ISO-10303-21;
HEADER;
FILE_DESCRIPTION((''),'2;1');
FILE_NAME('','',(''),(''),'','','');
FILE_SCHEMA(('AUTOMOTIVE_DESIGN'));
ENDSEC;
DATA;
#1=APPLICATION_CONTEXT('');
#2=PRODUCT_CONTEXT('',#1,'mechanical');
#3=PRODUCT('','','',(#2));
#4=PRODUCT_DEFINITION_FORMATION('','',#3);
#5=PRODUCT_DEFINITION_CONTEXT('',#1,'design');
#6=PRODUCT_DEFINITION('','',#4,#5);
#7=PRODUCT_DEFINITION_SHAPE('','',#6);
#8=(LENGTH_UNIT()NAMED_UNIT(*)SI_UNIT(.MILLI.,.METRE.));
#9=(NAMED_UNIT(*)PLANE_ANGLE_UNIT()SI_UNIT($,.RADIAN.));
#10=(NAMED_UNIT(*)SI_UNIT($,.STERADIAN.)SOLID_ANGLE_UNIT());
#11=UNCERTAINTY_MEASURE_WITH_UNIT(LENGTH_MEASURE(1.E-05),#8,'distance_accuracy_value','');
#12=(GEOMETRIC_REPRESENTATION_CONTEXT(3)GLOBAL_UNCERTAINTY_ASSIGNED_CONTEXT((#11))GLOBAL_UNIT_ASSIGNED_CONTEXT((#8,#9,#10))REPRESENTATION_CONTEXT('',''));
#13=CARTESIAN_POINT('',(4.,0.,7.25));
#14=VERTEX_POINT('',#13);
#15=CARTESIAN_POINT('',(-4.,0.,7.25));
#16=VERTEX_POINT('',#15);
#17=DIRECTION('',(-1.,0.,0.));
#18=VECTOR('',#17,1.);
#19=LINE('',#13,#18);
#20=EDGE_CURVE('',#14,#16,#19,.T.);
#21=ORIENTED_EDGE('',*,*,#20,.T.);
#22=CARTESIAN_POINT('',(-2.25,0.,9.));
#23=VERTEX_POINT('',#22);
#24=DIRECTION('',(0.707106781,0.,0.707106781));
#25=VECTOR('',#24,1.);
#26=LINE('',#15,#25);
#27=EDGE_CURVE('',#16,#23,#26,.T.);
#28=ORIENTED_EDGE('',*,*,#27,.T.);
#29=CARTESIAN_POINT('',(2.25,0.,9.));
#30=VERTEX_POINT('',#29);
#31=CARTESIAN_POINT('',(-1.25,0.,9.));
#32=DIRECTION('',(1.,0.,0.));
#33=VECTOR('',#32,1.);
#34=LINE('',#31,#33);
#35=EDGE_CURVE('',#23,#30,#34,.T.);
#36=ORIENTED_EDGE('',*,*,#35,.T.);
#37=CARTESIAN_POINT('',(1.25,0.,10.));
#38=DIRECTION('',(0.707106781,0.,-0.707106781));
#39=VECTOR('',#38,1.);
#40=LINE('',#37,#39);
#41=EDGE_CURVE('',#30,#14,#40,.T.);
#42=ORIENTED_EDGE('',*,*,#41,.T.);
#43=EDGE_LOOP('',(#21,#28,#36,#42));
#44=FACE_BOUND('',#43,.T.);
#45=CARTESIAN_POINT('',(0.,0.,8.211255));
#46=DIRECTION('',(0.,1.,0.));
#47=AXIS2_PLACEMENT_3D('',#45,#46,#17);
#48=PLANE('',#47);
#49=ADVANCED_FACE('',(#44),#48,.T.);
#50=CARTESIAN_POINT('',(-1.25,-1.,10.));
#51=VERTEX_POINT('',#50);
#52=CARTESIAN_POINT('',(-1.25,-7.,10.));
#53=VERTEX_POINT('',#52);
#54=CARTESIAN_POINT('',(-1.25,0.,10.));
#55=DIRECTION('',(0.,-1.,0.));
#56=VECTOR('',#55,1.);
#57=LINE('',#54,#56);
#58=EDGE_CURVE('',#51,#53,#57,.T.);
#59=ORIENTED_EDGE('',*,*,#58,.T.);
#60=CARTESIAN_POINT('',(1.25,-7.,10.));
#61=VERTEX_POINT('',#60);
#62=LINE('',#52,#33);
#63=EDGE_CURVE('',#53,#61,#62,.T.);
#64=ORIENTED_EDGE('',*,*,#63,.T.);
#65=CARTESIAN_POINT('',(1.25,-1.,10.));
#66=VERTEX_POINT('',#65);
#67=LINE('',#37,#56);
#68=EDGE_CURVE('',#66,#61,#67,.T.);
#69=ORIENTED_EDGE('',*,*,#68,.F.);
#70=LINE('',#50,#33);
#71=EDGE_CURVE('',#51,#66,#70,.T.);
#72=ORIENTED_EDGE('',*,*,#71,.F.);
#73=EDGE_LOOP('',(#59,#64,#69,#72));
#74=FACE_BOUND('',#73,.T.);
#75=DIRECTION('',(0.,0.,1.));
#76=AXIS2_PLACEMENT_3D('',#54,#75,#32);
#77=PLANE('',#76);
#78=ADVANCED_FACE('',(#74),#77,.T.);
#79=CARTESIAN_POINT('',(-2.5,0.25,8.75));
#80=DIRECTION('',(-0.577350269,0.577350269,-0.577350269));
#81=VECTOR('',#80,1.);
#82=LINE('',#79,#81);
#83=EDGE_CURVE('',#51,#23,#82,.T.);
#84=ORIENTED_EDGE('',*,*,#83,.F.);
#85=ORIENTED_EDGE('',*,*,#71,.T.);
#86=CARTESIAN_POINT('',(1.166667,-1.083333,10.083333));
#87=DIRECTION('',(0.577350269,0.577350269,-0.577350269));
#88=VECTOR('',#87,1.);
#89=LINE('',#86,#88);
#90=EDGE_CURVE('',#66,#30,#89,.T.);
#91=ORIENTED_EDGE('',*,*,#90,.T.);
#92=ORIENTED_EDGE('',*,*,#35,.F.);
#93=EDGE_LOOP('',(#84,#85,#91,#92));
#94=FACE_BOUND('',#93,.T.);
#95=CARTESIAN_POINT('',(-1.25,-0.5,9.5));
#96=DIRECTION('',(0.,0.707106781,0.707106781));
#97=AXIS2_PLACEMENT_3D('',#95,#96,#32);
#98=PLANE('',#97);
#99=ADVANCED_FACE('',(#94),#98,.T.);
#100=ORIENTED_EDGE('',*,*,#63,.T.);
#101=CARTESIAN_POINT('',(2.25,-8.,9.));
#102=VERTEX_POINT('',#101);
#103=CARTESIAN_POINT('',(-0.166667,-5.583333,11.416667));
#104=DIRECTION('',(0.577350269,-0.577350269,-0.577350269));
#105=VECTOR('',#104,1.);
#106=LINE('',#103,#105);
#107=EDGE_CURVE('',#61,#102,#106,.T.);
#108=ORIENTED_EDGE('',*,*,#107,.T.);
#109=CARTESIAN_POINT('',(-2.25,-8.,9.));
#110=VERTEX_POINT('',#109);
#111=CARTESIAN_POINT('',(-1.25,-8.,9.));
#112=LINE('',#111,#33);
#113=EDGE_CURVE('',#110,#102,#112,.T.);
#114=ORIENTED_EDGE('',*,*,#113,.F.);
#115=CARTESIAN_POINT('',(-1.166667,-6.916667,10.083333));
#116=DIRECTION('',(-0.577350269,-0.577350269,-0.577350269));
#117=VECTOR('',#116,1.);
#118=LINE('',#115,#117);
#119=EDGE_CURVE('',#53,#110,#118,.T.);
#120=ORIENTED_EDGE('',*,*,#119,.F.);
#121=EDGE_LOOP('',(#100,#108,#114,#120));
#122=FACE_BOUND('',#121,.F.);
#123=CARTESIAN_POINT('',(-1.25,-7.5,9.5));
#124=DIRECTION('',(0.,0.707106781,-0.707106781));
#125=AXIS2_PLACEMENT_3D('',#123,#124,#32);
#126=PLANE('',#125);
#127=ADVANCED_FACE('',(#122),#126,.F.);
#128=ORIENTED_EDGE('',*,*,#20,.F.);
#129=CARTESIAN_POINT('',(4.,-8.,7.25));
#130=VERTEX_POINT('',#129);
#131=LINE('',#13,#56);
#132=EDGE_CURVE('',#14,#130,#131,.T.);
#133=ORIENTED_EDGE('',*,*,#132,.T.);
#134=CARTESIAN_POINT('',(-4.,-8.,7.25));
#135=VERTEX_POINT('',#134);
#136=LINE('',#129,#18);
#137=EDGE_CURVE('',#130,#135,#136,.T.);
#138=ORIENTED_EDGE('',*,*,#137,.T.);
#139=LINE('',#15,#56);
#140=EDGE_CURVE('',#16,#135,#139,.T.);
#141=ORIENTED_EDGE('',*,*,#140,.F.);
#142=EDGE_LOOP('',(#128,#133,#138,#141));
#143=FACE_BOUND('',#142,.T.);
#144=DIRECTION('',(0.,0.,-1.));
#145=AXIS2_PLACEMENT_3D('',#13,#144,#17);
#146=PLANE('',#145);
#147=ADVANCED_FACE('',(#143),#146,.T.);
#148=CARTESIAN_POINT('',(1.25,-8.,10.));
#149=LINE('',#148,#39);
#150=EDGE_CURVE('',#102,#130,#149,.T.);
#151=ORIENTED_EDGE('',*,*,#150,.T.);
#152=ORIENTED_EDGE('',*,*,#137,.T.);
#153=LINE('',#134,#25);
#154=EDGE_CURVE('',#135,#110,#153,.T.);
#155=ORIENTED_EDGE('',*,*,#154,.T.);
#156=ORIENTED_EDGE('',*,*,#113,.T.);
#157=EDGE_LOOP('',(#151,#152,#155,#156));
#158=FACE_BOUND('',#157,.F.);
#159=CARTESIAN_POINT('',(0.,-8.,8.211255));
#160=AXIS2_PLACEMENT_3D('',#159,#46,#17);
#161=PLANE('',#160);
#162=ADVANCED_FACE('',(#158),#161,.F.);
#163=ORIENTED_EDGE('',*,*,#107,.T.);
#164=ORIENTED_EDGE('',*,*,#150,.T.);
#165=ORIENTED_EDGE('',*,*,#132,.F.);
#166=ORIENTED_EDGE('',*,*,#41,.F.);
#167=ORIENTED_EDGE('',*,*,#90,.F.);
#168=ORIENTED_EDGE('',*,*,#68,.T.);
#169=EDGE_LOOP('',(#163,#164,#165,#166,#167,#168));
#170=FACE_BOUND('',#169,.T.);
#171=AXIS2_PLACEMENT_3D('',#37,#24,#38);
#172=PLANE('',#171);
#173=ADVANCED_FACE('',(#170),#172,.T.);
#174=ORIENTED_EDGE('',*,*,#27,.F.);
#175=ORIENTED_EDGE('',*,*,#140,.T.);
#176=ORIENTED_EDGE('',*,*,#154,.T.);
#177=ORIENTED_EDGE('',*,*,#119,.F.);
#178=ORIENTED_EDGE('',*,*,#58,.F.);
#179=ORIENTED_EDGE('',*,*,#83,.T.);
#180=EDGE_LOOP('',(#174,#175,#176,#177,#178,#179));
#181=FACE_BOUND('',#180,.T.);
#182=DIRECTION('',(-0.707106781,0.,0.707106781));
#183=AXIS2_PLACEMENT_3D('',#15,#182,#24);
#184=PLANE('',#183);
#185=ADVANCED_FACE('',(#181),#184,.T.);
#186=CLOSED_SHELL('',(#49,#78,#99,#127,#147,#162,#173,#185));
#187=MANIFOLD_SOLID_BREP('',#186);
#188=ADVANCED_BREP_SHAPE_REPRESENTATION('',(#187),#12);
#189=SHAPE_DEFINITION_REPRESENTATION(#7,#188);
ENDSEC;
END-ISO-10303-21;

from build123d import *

# Parameters (mm, degrees)
EXTRUDE_DEPTH   = 8
CHAMFER_SIZE    = 1
CHAMFER001_SIZE = 1


with BuildPart() as part:
    # Sketch → Extrude (new body)
    with BuildSketch(Plane.XZ):
        Polygon((-1.25, 10), (1.25, 10), (4, 7.25), (-4, 7.25), align=None)
    extrude(amount=EXTRUDE_DEPTH)

    # Chamfer
    chamfer_edges = [part.edges().sort_by_distance(p)[0] for p in [
        (0, 0, 10),
    ]]
    chamfer(chamfer_edges, length=CHAMFER_SIZE)

    # Chamfer001
    chamfer001_edges = [part.edges().sort_by_distance(p)[0] for p in [
        (0, -8, 10),
    ]]
    chamfer(chamfer001_edges, length=CHAMFER001_SIZE)


solid = part.part
